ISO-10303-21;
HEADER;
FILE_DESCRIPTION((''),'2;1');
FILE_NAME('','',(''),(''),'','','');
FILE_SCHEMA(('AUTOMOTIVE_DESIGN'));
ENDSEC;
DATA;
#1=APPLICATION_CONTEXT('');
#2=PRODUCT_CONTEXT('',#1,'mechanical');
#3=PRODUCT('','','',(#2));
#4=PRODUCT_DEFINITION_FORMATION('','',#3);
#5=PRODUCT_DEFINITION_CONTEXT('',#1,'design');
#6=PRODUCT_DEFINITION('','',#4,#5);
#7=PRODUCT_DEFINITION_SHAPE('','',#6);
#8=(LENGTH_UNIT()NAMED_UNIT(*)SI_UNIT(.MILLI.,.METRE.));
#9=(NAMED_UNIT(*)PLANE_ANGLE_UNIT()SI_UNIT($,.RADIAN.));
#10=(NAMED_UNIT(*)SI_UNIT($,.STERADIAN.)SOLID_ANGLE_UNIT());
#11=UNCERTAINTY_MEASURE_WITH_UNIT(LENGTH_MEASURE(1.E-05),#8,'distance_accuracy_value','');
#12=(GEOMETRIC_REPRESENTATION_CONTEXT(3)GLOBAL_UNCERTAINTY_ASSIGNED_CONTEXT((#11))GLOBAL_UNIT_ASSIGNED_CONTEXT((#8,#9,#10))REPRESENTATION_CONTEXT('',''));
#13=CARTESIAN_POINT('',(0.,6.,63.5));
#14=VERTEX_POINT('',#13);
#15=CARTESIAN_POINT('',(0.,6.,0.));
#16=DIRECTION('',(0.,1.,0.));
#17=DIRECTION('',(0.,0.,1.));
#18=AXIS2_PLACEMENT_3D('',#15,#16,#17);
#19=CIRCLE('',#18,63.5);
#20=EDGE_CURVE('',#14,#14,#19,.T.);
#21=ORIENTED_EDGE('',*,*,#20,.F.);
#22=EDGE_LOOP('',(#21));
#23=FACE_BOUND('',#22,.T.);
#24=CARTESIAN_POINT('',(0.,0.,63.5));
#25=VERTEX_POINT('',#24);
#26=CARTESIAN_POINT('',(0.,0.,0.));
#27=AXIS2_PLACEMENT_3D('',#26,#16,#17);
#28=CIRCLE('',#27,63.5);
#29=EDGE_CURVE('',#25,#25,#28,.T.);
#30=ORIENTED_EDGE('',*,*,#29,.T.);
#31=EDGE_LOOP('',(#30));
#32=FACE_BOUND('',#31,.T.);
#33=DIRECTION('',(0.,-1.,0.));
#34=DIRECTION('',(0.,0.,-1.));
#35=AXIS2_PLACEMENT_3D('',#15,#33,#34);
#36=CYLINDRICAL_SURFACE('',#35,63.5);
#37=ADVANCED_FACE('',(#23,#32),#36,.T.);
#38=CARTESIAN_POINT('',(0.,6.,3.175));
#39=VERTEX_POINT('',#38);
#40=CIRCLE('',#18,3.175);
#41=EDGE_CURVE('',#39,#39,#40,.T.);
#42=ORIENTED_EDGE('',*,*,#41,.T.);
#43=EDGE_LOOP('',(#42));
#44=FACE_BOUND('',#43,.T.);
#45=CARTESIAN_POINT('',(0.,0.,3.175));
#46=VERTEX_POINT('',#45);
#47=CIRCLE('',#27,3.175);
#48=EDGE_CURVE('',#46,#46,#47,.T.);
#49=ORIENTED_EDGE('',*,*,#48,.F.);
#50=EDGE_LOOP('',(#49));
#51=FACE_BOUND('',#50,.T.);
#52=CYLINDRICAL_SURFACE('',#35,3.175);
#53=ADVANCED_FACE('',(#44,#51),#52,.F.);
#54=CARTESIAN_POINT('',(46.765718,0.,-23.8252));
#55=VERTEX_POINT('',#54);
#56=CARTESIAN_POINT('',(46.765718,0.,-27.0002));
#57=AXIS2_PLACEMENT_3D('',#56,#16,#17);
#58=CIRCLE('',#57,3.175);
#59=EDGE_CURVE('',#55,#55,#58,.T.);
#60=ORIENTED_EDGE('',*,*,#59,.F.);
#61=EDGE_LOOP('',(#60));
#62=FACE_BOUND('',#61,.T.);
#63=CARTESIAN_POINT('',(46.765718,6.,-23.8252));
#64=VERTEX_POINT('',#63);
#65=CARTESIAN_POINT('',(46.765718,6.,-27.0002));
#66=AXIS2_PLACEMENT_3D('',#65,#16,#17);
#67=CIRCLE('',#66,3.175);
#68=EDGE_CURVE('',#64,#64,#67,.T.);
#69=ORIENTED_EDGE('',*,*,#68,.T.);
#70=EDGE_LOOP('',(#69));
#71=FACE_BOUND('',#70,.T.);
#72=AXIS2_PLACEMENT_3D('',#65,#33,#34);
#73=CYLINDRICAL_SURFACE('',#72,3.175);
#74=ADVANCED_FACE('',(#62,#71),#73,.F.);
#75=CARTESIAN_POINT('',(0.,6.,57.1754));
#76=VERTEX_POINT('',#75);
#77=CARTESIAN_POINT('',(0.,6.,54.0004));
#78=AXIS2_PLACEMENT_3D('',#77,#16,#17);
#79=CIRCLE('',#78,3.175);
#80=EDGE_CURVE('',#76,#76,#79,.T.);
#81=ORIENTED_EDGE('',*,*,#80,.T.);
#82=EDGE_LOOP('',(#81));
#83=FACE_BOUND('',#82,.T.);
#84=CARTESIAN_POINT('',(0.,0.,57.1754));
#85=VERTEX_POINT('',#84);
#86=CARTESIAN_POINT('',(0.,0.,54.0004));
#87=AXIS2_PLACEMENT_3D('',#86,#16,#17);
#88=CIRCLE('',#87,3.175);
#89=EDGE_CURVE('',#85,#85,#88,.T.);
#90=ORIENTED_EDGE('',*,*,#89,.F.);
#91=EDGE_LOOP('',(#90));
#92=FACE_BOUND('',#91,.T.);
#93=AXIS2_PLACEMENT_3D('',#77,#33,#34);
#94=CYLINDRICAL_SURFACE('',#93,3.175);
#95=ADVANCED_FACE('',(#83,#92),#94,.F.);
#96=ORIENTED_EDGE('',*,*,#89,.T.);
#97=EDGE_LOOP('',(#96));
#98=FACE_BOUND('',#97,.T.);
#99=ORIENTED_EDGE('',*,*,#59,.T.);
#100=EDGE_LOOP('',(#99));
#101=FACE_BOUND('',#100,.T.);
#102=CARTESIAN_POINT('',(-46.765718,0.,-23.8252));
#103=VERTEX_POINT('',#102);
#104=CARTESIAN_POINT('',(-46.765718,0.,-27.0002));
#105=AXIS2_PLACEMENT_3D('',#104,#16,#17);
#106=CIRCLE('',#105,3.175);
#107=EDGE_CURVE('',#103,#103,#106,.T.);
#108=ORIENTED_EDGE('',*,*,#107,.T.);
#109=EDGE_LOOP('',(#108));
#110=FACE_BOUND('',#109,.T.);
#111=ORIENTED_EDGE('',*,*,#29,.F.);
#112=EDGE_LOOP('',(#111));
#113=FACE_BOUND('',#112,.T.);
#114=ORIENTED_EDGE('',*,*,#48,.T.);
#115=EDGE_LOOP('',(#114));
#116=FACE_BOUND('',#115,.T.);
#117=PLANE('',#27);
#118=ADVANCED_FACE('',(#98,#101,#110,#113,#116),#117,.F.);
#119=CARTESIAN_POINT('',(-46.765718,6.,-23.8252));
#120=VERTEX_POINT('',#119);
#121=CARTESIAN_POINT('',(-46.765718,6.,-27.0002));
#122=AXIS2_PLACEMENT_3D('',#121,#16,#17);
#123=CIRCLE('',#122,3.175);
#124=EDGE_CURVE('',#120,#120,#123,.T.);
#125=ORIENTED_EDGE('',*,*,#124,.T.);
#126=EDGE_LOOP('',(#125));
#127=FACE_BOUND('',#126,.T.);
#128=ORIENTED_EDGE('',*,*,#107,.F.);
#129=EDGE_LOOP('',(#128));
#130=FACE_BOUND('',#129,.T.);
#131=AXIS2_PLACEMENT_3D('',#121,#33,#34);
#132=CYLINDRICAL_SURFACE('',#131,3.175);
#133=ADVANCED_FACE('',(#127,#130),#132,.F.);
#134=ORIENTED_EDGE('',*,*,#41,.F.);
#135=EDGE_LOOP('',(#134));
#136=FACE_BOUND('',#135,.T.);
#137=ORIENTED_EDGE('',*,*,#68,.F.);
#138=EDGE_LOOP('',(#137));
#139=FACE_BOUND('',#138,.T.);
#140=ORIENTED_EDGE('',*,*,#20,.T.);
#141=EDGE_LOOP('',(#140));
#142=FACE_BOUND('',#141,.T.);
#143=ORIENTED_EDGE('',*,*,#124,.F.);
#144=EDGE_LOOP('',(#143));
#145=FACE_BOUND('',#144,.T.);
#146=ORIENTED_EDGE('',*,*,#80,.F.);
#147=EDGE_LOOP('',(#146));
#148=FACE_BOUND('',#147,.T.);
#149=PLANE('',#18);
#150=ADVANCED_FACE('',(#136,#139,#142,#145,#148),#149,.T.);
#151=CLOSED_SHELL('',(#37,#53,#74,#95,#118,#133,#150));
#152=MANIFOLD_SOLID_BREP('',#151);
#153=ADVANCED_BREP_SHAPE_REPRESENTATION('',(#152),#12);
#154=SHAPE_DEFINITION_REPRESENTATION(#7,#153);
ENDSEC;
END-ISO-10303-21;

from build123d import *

# Parameters (mm, degrees)
SKETCH1_R           = 63.5
SKETCH1_R_2         = 3.175
BOSS_EXTRUDE1_DEPTH = 6


with BuildPart() as part:
    # Sketch1 → Boss-Extrude1 (new body)
    with BuildSketch(Plane(origin=(0, 0, 0), x_dir=(1, 0, 0), z_dir=(0, 1, 0))):
        Circle(SKETCH1_R)
        Circle(SKETCH1_R_2, mode=Mode.SUBTRACT)
        with Locations((0, -54.0004)):
            Circle(SKETCH1_R_2, mode=Mode.SUBTRACT)
        with Locations((-46.765718215, 27.0002)):
            Circle(SKETCH1_R_2, mode=Mode.SUBTRACT)
        with Locations((46.765718215, 27.0002)):
            Circle(SKETCH1_R_2, mode=Mode.SUBTRACT)
    extrude(amount=BOSS_EXTRUDE1_DEPTH)


solid = part.part
